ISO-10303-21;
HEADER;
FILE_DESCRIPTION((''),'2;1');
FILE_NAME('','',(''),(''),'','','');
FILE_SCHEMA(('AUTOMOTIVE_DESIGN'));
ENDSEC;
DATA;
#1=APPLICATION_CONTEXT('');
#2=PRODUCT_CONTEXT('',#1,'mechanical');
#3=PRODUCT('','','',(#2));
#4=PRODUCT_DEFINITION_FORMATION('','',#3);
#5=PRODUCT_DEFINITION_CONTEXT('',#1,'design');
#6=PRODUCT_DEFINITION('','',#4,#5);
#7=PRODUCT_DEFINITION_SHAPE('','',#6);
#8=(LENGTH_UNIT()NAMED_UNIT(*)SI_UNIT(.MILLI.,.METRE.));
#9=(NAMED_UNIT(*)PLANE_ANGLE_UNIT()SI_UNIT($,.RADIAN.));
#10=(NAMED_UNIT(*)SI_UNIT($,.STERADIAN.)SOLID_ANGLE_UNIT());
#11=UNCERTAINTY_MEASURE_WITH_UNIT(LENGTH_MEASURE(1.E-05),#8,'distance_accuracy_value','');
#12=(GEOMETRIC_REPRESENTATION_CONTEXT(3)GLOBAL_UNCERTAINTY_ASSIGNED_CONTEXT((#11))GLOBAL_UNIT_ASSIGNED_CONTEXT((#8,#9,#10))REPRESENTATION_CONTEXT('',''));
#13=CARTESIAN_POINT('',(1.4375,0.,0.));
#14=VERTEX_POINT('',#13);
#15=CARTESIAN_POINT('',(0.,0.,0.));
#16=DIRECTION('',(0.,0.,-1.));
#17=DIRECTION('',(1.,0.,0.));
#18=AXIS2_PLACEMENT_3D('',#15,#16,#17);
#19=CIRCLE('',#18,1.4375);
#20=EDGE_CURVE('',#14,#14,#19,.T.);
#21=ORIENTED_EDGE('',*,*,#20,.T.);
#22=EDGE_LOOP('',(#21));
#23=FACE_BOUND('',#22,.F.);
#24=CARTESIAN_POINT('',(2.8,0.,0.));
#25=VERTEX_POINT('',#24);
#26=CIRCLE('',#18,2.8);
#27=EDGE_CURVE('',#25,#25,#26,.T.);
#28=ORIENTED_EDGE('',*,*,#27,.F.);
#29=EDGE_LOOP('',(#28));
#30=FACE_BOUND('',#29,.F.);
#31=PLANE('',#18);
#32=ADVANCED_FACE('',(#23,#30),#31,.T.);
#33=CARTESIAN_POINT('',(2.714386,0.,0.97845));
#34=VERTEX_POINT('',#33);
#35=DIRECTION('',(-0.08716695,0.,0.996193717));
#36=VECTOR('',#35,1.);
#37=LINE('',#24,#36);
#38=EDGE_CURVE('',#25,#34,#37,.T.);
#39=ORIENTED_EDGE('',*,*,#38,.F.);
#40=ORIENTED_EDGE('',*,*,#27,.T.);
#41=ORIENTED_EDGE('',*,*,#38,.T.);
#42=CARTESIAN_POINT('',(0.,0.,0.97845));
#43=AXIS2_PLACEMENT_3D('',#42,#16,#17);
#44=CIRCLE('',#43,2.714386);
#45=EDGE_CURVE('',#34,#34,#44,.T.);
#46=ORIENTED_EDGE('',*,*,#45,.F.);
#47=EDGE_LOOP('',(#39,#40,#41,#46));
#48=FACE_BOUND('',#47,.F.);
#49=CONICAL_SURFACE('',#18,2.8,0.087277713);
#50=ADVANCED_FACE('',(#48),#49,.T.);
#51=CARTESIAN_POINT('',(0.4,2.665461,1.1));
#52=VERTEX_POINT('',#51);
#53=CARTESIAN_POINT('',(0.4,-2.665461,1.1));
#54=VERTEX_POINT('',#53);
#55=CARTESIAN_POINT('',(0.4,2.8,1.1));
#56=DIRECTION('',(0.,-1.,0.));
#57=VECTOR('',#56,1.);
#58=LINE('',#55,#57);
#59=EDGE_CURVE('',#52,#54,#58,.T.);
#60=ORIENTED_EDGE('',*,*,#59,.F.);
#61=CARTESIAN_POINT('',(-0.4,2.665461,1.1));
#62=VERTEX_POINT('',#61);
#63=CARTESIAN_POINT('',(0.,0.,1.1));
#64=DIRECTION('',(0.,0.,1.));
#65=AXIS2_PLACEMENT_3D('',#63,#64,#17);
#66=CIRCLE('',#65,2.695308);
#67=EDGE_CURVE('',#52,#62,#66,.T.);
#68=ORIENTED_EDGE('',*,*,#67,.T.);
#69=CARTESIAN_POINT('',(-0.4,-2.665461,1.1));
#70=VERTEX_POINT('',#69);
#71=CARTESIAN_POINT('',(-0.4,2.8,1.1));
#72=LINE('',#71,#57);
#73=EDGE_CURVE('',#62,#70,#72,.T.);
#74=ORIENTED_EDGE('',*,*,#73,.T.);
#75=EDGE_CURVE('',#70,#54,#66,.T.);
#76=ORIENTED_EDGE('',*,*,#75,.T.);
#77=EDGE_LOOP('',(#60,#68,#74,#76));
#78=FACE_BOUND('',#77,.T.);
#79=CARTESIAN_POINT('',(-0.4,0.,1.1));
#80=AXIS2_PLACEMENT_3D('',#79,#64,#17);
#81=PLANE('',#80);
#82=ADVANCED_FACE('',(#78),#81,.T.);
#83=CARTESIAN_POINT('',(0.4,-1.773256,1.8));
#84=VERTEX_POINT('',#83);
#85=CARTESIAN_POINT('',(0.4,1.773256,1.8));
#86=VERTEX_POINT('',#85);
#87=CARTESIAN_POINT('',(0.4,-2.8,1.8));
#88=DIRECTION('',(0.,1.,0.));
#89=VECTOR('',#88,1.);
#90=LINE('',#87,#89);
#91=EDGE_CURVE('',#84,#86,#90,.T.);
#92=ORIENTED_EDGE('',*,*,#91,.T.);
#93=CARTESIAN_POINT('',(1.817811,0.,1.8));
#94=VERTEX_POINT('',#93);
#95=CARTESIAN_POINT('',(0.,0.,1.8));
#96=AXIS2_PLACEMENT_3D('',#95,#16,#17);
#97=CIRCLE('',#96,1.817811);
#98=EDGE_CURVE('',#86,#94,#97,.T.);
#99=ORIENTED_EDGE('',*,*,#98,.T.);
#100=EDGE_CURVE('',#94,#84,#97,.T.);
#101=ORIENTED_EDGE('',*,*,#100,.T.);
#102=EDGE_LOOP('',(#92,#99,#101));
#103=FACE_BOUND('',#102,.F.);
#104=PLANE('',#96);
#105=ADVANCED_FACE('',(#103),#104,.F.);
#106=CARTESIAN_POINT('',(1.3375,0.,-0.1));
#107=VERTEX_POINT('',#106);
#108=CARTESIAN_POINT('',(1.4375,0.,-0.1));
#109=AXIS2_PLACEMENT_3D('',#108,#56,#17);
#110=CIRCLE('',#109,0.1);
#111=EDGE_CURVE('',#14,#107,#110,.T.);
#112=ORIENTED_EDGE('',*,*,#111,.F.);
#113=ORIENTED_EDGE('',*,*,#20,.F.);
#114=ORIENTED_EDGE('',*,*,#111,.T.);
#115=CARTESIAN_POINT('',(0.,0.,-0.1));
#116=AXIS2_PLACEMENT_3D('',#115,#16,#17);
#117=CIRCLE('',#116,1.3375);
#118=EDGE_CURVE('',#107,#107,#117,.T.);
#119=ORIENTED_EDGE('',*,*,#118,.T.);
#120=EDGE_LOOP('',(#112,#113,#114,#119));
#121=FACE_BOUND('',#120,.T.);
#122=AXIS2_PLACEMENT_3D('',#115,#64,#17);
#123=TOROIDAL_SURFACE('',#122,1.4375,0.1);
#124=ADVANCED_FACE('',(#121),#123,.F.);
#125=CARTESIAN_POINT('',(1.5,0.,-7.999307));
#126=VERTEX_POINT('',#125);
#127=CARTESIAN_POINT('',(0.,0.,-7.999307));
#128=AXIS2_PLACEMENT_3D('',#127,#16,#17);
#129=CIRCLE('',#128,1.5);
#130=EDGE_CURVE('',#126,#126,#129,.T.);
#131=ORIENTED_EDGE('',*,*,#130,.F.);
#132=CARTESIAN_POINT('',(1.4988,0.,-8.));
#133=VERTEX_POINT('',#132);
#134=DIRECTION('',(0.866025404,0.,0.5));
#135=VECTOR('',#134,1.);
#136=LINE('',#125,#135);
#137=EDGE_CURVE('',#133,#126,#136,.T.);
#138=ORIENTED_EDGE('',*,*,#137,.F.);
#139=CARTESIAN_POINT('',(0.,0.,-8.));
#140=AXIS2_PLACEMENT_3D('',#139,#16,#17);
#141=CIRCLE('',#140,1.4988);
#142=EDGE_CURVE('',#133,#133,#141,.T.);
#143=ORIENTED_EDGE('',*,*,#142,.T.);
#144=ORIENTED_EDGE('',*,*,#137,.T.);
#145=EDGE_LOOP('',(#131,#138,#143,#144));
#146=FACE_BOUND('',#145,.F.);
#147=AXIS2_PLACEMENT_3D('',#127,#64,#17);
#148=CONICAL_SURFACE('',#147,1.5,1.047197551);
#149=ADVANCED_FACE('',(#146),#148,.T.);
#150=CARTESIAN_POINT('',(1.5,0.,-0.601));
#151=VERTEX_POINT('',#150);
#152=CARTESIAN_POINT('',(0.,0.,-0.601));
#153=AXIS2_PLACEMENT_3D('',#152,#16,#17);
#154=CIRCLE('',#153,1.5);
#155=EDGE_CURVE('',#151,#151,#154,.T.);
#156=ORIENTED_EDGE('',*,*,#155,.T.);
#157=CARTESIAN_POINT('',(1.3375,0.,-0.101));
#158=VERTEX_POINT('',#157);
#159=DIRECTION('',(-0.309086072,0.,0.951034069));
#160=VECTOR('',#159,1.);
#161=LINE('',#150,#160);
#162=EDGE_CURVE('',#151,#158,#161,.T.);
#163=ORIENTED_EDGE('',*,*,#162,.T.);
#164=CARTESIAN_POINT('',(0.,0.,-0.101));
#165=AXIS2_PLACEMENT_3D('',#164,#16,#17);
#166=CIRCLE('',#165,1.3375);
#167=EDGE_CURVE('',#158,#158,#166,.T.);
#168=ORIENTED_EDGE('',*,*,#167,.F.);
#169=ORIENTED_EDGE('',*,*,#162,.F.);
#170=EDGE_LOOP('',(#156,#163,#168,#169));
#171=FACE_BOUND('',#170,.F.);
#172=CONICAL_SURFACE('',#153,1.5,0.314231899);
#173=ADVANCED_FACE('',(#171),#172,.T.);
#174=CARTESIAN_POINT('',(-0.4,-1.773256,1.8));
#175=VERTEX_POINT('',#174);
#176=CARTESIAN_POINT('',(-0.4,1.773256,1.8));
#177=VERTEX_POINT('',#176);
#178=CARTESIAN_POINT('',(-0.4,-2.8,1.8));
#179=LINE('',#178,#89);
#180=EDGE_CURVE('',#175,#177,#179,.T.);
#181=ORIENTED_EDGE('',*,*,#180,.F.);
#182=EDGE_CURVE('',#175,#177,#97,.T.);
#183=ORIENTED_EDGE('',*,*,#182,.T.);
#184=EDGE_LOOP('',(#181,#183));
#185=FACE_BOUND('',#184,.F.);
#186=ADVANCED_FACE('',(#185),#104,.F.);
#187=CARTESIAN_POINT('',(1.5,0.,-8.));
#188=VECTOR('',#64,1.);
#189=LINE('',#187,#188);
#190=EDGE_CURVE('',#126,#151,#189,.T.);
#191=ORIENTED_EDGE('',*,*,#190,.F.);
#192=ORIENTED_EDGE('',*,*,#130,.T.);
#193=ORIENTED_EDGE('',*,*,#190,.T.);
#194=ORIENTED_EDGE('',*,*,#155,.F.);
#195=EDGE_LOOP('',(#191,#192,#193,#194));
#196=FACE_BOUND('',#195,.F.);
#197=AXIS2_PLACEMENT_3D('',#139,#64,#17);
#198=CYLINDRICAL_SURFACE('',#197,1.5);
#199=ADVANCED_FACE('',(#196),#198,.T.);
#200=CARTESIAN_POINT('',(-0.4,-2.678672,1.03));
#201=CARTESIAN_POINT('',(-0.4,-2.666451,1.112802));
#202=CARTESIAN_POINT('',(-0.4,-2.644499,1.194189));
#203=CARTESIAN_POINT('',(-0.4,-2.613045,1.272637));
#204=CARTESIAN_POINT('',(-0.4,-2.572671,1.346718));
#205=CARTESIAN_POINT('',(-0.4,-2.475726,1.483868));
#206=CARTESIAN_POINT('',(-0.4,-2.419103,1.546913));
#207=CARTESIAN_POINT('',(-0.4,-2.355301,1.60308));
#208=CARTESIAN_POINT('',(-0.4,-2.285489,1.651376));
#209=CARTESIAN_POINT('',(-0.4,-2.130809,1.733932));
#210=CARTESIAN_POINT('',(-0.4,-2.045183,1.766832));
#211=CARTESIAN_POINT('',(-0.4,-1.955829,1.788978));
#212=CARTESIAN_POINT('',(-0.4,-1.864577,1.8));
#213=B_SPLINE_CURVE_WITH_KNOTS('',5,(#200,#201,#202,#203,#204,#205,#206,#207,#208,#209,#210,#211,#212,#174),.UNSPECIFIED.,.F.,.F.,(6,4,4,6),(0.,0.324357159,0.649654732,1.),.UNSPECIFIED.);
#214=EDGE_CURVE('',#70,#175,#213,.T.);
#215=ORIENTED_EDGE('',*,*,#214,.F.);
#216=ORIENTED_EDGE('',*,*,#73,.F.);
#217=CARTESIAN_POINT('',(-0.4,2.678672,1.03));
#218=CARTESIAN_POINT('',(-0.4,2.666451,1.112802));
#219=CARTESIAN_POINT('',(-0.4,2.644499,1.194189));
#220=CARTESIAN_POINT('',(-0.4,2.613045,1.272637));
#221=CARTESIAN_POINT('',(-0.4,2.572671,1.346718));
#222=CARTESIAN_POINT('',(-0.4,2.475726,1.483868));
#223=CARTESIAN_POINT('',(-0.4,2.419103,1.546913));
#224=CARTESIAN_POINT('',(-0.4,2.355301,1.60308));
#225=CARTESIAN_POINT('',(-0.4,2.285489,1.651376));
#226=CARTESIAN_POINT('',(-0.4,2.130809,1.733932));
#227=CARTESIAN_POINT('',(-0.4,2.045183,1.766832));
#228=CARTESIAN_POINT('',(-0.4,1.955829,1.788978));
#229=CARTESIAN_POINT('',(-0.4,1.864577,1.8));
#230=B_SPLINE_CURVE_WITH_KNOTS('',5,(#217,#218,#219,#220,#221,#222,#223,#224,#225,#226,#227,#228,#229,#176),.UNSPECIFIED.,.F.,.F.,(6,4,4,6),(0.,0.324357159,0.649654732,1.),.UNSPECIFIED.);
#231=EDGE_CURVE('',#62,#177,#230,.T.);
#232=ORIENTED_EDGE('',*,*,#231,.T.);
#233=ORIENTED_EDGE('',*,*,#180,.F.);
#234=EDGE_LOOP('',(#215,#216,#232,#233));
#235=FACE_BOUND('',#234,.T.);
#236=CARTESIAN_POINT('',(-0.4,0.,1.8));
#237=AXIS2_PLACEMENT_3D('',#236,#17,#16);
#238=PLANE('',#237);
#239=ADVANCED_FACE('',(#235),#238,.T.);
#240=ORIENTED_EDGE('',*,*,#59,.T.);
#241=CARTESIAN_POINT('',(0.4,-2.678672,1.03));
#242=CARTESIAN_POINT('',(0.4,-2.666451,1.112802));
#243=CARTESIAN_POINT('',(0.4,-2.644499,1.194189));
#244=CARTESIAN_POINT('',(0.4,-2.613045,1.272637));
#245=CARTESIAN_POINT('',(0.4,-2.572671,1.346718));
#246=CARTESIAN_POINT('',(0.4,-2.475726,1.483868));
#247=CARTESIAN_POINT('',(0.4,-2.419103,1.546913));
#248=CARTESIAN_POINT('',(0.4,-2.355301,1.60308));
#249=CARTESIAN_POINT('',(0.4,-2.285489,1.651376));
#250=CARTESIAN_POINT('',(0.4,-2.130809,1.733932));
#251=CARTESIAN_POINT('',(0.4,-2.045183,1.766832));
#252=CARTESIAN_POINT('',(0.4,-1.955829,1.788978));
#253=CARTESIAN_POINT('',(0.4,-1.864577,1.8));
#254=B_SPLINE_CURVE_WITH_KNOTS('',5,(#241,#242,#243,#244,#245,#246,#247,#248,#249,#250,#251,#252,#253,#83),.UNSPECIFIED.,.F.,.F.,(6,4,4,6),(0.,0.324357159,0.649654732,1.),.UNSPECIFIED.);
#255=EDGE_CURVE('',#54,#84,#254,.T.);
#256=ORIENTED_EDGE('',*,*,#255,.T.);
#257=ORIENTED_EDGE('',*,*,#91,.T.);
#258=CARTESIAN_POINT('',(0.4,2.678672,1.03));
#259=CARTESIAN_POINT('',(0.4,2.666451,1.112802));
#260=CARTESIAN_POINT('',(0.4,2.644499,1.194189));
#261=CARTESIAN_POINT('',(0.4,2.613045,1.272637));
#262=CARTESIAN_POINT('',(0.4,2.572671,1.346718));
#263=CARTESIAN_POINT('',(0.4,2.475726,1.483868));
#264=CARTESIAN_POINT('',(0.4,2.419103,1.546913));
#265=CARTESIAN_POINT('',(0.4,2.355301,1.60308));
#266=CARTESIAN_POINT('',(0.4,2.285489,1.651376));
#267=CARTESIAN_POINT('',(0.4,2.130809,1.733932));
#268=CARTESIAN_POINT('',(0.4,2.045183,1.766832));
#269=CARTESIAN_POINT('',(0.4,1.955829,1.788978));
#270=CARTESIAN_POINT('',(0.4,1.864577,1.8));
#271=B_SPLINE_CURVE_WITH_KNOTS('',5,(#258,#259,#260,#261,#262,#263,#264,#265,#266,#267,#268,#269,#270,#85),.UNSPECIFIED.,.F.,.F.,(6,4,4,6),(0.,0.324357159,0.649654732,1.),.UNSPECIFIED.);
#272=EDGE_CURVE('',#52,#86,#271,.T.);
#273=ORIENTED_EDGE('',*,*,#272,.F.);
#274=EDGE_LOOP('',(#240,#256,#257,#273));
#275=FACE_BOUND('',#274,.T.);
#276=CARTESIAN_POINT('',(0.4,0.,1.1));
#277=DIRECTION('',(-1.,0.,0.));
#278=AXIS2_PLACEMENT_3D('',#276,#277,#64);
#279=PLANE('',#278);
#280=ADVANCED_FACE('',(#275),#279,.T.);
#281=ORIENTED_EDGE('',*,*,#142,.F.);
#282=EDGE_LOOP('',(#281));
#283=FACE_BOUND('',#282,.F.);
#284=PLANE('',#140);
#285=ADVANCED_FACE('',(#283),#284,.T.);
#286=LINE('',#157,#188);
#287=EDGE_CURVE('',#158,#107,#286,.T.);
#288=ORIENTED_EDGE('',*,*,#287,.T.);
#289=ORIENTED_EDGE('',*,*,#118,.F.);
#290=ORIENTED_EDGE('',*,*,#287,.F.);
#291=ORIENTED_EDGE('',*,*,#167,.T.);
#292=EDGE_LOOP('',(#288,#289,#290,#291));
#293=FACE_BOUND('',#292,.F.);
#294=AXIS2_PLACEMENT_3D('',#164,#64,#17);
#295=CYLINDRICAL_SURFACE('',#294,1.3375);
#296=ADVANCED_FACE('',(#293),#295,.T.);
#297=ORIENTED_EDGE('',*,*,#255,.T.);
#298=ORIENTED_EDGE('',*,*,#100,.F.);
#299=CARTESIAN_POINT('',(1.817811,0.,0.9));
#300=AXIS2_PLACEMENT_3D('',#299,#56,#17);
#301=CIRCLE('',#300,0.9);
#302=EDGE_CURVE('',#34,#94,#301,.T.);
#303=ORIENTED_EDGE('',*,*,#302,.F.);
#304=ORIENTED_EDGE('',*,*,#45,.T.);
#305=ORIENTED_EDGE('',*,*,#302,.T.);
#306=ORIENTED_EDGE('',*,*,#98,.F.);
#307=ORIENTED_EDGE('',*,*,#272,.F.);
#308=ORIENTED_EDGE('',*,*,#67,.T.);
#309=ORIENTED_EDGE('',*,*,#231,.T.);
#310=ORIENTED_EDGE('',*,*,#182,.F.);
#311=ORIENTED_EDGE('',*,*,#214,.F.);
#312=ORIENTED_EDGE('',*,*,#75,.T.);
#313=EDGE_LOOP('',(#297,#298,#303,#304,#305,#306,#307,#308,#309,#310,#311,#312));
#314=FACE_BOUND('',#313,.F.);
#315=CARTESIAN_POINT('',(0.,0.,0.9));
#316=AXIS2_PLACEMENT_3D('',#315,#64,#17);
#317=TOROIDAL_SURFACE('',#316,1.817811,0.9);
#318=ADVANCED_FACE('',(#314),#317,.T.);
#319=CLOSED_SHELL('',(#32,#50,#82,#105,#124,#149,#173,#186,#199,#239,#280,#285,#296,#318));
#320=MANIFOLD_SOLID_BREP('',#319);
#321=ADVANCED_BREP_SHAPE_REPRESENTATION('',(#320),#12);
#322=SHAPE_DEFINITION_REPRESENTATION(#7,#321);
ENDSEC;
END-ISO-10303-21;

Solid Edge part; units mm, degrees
sketch "Sketch1" plane through (0, 0, 0) normal (0, -1, 0) x (1, 0, 0)
  line L0 (0, -8) -> (1.5, -8)
  line L1 (1.5, -8) -> (1.5, -0.601)
  line L2 (1.5, -0.601) -> (1.3375, -0.101)
  line L3 (1.3375, -0.101) -> (1.3375, 0)
  line L4 (1.3375, 0) -> (2.8, 0)
  line L5 (2.8, 0) -> (2.6425, 1.8)
  line L6 (2.6425, 1.8) -> (0, 1.8)
  dimension "D1" = 1.5
  dimension "D2" = 1.3375
  dimension "D3" = 8
  dimension "D4" = 7.399
  dimension "D5" = 0.5
  dimension "D6" = 2.8
  dimension "D7" = 1.8
revolve "RevolvedProtrusion1" add sketch "Sketch1" angle 360 about axis through (0, 0, 6) along (0, 0, -1)
fillet "Round_1" radius 0.9 1 edges at (-2.6425, 0, 1.8)
sketch "Sketch2" plane through (0, 0, 0) normal (0, -1, 0) x (1, 0, 0)
  line L0 (-0.4, 1.8) -> (-0.4, 1.1)
  line L1 (-0.4, 1.1) -> (0.4, 1.1)
  line L2 (0.4, 1.1) -> (0.4, 1.8)
  line L3 (0.4, 1.8) -> (-0.4, 1.8)
  dimension "D1" = 0.8
  dimension "D2" = 0.7
  dimension "D3" = 1.8
extrude "ExtrudedCutout_1" cut sketch "Sketch2" along normal mid plane 5.6
cosmetic_thread "Thread_1" size "M3" thread depth 7.399
fillet "Round_2" radius 0.1 1 edges at (-1.3375, 0, 0)
chamfer "Chamfer_1" distance 0.0012 angle 30 1 edges at (-1.5, 0, -8) measured on face at (1.03, 0.97, -8)
properties material "Steel"
